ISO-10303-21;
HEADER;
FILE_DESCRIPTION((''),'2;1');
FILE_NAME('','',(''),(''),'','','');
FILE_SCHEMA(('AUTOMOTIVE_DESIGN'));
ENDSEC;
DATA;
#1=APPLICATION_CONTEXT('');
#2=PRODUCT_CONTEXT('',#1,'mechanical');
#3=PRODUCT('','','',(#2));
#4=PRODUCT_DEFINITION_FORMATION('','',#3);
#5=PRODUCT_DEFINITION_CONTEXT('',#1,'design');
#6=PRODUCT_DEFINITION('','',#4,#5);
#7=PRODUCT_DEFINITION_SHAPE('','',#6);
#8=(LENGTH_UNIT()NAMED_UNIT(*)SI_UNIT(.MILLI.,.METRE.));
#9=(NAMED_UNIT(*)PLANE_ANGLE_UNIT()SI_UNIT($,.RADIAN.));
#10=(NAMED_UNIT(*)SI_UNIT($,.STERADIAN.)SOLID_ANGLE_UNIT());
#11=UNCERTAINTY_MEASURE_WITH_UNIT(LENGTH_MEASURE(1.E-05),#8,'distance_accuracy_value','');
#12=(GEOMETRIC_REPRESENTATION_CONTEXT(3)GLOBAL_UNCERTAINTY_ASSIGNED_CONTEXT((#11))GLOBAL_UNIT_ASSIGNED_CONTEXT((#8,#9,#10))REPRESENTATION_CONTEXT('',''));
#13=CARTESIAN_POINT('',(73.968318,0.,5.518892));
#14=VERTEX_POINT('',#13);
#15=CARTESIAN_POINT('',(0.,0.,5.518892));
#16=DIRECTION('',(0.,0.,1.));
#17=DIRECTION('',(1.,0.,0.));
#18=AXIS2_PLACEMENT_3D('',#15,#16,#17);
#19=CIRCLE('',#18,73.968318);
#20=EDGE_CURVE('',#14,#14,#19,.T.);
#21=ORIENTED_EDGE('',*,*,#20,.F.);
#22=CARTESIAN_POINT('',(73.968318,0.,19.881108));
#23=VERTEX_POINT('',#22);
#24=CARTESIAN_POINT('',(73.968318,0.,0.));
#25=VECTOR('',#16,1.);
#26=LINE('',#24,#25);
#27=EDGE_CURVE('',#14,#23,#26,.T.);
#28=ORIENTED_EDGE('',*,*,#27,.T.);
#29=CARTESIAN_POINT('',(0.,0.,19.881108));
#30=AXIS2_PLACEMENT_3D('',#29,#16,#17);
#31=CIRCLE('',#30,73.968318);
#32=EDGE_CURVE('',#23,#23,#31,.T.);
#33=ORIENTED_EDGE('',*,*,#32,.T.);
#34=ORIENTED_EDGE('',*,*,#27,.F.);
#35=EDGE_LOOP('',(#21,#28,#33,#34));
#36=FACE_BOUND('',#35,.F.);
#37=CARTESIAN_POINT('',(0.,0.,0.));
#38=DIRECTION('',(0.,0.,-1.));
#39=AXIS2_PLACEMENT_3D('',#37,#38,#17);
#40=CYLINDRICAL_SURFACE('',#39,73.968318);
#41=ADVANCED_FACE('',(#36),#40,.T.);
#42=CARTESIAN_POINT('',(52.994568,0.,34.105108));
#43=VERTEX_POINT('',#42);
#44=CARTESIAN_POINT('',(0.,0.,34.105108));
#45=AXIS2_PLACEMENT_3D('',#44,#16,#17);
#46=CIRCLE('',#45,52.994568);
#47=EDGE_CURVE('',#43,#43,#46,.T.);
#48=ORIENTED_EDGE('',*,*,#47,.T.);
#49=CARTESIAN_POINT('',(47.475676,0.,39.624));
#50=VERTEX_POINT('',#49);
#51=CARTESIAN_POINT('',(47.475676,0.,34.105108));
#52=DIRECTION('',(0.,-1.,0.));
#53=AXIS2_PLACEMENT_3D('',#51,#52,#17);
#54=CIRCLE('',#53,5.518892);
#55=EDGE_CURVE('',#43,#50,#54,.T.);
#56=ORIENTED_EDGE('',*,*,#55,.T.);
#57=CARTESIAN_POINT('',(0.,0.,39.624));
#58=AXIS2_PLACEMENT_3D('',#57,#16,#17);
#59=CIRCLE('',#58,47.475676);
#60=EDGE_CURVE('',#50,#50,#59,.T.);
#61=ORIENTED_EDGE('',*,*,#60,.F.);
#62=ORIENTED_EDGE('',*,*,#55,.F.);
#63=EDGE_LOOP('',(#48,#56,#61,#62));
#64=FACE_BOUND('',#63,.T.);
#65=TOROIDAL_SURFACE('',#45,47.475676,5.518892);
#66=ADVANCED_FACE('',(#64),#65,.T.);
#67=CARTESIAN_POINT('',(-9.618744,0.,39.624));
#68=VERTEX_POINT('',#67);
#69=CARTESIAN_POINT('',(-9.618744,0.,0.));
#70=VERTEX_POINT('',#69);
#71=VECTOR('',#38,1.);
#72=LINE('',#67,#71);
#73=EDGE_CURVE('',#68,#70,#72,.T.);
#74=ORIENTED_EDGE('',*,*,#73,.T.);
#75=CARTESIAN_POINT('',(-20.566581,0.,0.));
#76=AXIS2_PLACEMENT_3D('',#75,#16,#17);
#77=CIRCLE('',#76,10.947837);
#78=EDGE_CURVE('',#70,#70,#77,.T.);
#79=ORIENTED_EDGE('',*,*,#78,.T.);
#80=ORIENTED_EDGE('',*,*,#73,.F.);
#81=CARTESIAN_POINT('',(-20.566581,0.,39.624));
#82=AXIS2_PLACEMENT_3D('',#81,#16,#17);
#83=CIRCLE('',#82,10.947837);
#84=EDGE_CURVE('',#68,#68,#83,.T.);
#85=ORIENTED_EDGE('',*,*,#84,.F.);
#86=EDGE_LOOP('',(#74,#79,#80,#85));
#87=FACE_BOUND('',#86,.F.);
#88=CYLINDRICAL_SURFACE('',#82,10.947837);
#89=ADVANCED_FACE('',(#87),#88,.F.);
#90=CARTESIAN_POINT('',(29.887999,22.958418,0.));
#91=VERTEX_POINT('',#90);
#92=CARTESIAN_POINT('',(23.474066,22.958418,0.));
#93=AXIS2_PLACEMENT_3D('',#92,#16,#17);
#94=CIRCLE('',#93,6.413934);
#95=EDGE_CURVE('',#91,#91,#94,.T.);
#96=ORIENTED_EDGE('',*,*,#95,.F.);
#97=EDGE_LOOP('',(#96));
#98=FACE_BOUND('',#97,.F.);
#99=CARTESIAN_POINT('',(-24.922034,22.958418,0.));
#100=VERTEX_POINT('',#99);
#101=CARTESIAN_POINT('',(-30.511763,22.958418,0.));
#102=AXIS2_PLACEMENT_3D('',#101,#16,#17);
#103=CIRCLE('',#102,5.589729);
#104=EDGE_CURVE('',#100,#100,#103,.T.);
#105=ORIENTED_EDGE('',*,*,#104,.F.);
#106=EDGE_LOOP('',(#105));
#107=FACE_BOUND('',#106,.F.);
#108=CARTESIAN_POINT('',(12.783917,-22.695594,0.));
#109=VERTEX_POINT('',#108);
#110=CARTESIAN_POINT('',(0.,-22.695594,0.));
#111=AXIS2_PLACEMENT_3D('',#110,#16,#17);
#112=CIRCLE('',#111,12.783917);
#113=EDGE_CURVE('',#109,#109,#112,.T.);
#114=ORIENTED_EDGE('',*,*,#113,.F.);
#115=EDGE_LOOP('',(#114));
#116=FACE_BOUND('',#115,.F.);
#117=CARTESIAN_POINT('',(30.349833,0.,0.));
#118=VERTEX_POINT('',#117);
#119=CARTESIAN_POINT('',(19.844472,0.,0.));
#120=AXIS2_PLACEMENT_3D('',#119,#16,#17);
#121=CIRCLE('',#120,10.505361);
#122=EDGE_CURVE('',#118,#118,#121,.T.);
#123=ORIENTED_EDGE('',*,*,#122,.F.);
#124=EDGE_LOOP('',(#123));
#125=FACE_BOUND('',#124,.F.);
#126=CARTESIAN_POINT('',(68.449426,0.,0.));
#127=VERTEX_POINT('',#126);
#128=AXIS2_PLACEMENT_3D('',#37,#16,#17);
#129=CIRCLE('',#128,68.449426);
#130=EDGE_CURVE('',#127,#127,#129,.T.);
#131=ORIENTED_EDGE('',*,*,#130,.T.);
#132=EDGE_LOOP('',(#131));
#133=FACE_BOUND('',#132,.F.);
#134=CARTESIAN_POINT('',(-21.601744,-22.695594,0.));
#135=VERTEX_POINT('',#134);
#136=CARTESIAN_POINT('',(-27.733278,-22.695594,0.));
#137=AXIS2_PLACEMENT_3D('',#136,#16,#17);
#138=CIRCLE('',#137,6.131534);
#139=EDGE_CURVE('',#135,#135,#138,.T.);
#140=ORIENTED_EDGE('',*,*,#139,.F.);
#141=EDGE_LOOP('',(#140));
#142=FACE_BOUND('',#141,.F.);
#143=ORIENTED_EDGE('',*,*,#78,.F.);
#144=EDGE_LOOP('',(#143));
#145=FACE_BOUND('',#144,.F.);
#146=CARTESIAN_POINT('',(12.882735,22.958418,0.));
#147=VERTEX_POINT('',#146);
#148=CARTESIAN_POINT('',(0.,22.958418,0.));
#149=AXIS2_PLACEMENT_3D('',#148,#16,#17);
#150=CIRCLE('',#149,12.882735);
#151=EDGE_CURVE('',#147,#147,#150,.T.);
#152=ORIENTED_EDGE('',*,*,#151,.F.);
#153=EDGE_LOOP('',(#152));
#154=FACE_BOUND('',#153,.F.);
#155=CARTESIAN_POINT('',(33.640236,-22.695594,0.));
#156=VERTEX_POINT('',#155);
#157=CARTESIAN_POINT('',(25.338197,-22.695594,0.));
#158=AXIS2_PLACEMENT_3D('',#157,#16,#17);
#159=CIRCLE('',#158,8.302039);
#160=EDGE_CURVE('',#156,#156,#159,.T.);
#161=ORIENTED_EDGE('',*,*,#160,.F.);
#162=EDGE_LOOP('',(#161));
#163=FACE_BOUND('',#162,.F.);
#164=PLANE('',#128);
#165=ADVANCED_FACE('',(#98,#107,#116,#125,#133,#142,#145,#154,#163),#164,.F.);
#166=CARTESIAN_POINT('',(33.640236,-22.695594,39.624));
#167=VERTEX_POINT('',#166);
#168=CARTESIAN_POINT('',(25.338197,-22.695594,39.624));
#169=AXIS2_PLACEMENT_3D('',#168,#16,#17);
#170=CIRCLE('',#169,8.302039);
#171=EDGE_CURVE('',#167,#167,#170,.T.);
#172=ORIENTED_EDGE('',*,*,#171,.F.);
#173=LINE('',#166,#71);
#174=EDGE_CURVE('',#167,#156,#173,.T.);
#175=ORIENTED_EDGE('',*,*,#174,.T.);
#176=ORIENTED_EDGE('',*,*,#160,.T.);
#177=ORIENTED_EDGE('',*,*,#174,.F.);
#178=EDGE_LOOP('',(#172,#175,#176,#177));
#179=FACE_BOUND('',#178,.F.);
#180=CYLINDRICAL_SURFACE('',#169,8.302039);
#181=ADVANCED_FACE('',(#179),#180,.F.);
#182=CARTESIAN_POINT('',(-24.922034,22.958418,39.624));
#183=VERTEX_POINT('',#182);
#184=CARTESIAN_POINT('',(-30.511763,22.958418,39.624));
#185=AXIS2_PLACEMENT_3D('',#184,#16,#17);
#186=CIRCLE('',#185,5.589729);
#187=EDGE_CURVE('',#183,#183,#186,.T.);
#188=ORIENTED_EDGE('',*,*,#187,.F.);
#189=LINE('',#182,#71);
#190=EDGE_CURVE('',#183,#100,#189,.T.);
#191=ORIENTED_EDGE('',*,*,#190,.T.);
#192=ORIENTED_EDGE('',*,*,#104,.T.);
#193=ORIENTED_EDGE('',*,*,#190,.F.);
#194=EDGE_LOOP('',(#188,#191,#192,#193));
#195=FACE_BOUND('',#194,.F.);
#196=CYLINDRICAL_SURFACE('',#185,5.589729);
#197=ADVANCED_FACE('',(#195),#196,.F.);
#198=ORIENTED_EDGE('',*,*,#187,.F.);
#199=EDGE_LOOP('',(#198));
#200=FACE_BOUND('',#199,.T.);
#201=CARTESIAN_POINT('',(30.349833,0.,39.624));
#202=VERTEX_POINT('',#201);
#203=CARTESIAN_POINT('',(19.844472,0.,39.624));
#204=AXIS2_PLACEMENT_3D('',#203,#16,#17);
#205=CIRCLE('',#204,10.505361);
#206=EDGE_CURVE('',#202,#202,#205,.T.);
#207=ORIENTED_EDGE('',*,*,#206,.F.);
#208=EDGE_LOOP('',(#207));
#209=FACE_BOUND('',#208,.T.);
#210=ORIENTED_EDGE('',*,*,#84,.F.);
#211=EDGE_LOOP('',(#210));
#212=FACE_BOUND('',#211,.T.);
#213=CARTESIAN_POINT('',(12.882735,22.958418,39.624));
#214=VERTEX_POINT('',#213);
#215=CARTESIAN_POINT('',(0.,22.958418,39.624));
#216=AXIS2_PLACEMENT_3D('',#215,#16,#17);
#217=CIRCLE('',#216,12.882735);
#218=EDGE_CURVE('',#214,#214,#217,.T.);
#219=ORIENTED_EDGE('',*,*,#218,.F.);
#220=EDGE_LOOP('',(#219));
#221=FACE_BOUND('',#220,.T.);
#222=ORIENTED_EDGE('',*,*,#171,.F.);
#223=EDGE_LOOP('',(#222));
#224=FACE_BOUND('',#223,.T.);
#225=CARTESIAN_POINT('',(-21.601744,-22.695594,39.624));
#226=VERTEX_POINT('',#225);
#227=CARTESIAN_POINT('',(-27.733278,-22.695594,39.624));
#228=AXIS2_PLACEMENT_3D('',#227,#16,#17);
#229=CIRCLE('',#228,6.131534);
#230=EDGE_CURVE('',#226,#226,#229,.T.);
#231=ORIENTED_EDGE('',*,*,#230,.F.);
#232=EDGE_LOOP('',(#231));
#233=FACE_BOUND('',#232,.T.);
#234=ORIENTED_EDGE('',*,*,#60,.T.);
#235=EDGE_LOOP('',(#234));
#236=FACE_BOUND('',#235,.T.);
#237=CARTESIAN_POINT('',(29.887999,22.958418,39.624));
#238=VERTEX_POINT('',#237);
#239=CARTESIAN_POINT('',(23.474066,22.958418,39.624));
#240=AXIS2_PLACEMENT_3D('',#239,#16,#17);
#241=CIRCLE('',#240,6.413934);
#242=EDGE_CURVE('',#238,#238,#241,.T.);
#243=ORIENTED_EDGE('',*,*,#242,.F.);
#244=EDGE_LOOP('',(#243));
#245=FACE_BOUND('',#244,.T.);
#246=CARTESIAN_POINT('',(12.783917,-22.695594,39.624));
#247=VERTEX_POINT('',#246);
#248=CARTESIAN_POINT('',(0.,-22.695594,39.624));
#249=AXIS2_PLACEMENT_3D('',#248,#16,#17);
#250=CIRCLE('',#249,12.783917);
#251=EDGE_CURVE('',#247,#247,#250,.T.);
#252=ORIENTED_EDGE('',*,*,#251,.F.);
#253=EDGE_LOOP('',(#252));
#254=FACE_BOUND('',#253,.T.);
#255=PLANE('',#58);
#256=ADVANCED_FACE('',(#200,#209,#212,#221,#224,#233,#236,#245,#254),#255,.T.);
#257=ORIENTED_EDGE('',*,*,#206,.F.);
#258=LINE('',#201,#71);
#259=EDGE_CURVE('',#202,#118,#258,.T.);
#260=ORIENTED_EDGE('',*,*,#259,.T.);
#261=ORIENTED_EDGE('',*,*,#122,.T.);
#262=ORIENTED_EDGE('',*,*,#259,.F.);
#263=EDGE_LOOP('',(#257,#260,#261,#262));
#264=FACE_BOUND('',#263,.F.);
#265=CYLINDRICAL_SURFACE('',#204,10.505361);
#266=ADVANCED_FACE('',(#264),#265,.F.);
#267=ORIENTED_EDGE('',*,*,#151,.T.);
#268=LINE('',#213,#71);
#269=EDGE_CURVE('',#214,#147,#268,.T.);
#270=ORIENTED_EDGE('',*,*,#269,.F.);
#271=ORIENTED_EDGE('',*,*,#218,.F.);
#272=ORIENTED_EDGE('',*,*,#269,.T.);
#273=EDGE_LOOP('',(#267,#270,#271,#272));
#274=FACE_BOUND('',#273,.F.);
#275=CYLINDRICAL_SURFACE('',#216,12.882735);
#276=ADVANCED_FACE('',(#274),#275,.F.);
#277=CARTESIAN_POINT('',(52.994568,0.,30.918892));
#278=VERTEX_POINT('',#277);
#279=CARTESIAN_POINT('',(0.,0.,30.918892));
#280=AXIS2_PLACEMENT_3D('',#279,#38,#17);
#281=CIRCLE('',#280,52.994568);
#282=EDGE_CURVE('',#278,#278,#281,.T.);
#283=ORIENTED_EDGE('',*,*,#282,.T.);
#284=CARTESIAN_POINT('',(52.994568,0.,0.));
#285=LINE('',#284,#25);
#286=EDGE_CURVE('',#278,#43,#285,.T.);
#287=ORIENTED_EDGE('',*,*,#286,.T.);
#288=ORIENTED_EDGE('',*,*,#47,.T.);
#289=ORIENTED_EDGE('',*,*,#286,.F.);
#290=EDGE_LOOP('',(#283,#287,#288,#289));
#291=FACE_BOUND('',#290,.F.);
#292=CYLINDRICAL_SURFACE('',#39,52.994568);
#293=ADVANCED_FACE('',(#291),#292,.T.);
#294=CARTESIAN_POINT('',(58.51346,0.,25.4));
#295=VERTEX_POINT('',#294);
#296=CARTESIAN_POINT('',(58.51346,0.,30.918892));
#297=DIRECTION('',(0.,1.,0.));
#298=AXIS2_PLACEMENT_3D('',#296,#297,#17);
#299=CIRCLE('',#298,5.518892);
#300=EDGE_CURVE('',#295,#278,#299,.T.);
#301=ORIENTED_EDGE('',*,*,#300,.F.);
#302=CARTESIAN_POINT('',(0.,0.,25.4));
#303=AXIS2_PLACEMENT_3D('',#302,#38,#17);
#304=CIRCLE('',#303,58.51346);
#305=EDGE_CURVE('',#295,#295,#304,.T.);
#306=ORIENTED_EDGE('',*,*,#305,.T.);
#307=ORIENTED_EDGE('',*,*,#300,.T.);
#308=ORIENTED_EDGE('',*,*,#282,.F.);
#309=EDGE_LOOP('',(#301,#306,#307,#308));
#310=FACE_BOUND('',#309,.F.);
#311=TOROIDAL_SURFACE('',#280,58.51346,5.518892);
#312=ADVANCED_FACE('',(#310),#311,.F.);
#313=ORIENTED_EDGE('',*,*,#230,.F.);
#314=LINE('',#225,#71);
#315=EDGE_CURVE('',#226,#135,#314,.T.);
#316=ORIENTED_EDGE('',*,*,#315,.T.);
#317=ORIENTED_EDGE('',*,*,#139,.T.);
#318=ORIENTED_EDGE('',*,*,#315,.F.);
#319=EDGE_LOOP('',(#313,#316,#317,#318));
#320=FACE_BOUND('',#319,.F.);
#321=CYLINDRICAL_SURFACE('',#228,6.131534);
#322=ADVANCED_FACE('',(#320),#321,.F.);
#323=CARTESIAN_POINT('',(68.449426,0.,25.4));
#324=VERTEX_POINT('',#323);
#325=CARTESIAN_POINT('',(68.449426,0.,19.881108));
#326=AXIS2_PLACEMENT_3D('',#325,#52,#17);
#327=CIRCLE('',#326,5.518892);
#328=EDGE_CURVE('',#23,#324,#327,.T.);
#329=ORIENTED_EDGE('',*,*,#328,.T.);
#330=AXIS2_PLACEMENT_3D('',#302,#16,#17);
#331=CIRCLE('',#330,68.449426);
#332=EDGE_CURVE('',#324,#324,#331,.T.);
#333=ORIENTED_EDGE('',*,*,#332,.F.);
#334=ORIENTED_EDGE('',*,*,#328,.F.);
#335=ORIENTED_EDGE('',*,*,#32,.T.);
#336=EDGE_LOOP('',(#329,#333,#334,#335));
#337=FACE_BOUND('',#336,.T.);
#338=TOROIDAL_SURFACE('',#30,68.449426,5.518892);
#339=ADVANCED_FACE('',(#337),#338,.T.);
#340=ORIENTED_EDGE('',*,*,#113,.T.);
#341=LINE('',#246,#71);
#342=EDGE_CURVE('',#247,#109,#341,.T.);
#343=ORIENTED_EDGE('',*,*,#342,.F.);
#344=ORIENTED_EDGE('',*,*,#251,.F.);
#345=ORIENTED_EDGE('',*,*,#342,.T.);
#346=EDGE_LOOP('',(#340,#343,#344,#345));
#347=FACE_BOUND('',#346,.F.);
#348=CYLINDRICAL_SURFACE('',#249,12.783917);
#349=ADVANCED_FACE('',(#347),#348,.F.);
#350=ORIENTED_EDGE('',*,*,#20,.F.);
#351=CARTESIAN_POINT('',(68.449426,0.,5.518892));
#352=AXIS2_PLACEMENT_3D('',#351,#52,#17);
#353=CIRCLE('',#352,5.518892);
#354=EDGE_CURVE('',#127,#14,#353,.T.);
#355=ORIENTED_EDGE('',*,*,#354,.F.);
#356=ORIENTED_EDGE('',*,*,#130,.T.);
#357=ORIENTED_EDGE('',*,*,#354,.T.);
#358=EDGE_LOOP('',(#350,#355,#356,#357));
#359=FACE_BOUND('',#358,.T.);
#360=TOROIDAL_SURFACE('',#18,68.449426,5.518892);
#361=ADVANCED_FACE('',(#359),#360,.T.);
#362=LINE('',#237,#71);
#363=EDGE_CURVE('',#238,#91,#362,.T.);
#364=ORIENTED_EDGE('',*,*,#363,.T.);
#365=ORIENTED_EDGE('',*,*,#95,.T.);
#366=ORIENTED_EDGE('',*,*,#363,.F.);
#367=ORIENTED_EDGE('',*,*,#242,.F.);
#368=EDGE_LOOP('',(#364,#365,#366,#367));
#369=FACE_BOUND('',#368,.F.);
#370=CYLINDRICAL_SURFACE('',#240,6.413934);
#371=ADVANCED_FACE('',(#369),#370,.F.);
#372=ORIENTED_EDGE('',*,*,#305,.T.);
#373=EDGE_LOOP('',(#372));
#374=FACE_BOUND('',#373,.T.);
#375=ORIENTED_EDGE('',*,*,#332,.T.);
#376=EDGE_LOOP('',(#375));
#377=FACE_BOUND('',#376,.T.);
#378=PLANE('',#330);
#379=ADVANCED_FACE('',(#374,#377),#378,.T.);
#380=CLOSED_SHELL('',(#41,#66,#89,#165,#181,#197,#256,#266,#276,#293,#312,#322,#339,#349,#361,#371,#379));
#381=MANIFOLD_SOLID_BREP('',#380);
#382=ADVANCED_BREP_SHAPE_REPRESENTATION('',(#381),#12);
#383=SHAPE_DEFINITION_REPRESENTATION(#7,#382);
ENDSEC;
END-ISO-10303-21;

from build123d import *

# Parameters (mm, degrees)
F0_R     = 73.968318151
F2_DEPTH = 25.4
F1_R     = 52.9945680325
F3_DEPTH = 39.624
F5_R     = 5.5188922036
F6_R     = 12.8827349719
F6_R_2   = 12.7839169131
F6_R_3   = 10.9478367458
F6_R_4   = 6.1315337815
F6_R_5   = 5.5897287033
F6_R_6   = 6.4139336727
F6_R_7   = 8.3020391009
F7_DEPTH = 70.866
F8_R     = 10.5053608139
F9_DEPTH = 50.546


with BuildPart() as f2:
    # F0 (on Top) → F2 (new body)
    with BuildSketch(Plane.XY):
        Circle(F0_R)
    extrude(amount=F2_DEPTH)

    # F1 (on face) → F3 (join)
    with BuildSketch(Plane.XY):
        Circle(F1_R)
    extrude(amount=F3_DEPTH)

    # F5
    f5_edges = [f2.edges().sort_by_distance(p)[0] for p in [
        (-52.994568, 0, 25.4),
        (52.994568, 0, 32.512),
        (-52.994568, 0, 39.624),
        (73.968318, 0, 12.7),
        (-73.968318, 0, 0),
        (-73.968318, 0, 25.4),
    ]]
    fillet(f5_edges, radius=F5_R)

    # F6 (on face) → F7 (cut)
    with BuildSketch(Plane.XY.offset(39.624)):
        with Locations((0, 22.9584183544)):
            Circle(F6_R)
        with Locations((0, -22.6955935359)):
            Circle(F6_R_2)
        with Locations((-20.5665808171, 0)):
            Circle(F6_R_3)
        with Locations((-27.7332775295, -22.6955935359)):
            Circle(F6_R_4)
        with Locations((-30.5117629468, 22.9584183544)):
            Circle(F6_R_5)
        with Locations((23.4740655869, 22.9584183544)):
            Circle(F6_R_6)
        with Locations((25.338197127, -22.6955935359)):
            Circle(F6_R_7)
    extrude(amount=-F7_DEPTH, mode=Mode.SUBTRACT)

    # F8 (on face) → F9 (cut)
    with BuildSketch(Plane.XY.offset(39.624)):
        with Locations((19.8444724083, 0)):
            Circle(F8_R)
    extrude(amount=-F9_DEPTH, mode=Mode.SUBTRACT)


solid = f2.part
